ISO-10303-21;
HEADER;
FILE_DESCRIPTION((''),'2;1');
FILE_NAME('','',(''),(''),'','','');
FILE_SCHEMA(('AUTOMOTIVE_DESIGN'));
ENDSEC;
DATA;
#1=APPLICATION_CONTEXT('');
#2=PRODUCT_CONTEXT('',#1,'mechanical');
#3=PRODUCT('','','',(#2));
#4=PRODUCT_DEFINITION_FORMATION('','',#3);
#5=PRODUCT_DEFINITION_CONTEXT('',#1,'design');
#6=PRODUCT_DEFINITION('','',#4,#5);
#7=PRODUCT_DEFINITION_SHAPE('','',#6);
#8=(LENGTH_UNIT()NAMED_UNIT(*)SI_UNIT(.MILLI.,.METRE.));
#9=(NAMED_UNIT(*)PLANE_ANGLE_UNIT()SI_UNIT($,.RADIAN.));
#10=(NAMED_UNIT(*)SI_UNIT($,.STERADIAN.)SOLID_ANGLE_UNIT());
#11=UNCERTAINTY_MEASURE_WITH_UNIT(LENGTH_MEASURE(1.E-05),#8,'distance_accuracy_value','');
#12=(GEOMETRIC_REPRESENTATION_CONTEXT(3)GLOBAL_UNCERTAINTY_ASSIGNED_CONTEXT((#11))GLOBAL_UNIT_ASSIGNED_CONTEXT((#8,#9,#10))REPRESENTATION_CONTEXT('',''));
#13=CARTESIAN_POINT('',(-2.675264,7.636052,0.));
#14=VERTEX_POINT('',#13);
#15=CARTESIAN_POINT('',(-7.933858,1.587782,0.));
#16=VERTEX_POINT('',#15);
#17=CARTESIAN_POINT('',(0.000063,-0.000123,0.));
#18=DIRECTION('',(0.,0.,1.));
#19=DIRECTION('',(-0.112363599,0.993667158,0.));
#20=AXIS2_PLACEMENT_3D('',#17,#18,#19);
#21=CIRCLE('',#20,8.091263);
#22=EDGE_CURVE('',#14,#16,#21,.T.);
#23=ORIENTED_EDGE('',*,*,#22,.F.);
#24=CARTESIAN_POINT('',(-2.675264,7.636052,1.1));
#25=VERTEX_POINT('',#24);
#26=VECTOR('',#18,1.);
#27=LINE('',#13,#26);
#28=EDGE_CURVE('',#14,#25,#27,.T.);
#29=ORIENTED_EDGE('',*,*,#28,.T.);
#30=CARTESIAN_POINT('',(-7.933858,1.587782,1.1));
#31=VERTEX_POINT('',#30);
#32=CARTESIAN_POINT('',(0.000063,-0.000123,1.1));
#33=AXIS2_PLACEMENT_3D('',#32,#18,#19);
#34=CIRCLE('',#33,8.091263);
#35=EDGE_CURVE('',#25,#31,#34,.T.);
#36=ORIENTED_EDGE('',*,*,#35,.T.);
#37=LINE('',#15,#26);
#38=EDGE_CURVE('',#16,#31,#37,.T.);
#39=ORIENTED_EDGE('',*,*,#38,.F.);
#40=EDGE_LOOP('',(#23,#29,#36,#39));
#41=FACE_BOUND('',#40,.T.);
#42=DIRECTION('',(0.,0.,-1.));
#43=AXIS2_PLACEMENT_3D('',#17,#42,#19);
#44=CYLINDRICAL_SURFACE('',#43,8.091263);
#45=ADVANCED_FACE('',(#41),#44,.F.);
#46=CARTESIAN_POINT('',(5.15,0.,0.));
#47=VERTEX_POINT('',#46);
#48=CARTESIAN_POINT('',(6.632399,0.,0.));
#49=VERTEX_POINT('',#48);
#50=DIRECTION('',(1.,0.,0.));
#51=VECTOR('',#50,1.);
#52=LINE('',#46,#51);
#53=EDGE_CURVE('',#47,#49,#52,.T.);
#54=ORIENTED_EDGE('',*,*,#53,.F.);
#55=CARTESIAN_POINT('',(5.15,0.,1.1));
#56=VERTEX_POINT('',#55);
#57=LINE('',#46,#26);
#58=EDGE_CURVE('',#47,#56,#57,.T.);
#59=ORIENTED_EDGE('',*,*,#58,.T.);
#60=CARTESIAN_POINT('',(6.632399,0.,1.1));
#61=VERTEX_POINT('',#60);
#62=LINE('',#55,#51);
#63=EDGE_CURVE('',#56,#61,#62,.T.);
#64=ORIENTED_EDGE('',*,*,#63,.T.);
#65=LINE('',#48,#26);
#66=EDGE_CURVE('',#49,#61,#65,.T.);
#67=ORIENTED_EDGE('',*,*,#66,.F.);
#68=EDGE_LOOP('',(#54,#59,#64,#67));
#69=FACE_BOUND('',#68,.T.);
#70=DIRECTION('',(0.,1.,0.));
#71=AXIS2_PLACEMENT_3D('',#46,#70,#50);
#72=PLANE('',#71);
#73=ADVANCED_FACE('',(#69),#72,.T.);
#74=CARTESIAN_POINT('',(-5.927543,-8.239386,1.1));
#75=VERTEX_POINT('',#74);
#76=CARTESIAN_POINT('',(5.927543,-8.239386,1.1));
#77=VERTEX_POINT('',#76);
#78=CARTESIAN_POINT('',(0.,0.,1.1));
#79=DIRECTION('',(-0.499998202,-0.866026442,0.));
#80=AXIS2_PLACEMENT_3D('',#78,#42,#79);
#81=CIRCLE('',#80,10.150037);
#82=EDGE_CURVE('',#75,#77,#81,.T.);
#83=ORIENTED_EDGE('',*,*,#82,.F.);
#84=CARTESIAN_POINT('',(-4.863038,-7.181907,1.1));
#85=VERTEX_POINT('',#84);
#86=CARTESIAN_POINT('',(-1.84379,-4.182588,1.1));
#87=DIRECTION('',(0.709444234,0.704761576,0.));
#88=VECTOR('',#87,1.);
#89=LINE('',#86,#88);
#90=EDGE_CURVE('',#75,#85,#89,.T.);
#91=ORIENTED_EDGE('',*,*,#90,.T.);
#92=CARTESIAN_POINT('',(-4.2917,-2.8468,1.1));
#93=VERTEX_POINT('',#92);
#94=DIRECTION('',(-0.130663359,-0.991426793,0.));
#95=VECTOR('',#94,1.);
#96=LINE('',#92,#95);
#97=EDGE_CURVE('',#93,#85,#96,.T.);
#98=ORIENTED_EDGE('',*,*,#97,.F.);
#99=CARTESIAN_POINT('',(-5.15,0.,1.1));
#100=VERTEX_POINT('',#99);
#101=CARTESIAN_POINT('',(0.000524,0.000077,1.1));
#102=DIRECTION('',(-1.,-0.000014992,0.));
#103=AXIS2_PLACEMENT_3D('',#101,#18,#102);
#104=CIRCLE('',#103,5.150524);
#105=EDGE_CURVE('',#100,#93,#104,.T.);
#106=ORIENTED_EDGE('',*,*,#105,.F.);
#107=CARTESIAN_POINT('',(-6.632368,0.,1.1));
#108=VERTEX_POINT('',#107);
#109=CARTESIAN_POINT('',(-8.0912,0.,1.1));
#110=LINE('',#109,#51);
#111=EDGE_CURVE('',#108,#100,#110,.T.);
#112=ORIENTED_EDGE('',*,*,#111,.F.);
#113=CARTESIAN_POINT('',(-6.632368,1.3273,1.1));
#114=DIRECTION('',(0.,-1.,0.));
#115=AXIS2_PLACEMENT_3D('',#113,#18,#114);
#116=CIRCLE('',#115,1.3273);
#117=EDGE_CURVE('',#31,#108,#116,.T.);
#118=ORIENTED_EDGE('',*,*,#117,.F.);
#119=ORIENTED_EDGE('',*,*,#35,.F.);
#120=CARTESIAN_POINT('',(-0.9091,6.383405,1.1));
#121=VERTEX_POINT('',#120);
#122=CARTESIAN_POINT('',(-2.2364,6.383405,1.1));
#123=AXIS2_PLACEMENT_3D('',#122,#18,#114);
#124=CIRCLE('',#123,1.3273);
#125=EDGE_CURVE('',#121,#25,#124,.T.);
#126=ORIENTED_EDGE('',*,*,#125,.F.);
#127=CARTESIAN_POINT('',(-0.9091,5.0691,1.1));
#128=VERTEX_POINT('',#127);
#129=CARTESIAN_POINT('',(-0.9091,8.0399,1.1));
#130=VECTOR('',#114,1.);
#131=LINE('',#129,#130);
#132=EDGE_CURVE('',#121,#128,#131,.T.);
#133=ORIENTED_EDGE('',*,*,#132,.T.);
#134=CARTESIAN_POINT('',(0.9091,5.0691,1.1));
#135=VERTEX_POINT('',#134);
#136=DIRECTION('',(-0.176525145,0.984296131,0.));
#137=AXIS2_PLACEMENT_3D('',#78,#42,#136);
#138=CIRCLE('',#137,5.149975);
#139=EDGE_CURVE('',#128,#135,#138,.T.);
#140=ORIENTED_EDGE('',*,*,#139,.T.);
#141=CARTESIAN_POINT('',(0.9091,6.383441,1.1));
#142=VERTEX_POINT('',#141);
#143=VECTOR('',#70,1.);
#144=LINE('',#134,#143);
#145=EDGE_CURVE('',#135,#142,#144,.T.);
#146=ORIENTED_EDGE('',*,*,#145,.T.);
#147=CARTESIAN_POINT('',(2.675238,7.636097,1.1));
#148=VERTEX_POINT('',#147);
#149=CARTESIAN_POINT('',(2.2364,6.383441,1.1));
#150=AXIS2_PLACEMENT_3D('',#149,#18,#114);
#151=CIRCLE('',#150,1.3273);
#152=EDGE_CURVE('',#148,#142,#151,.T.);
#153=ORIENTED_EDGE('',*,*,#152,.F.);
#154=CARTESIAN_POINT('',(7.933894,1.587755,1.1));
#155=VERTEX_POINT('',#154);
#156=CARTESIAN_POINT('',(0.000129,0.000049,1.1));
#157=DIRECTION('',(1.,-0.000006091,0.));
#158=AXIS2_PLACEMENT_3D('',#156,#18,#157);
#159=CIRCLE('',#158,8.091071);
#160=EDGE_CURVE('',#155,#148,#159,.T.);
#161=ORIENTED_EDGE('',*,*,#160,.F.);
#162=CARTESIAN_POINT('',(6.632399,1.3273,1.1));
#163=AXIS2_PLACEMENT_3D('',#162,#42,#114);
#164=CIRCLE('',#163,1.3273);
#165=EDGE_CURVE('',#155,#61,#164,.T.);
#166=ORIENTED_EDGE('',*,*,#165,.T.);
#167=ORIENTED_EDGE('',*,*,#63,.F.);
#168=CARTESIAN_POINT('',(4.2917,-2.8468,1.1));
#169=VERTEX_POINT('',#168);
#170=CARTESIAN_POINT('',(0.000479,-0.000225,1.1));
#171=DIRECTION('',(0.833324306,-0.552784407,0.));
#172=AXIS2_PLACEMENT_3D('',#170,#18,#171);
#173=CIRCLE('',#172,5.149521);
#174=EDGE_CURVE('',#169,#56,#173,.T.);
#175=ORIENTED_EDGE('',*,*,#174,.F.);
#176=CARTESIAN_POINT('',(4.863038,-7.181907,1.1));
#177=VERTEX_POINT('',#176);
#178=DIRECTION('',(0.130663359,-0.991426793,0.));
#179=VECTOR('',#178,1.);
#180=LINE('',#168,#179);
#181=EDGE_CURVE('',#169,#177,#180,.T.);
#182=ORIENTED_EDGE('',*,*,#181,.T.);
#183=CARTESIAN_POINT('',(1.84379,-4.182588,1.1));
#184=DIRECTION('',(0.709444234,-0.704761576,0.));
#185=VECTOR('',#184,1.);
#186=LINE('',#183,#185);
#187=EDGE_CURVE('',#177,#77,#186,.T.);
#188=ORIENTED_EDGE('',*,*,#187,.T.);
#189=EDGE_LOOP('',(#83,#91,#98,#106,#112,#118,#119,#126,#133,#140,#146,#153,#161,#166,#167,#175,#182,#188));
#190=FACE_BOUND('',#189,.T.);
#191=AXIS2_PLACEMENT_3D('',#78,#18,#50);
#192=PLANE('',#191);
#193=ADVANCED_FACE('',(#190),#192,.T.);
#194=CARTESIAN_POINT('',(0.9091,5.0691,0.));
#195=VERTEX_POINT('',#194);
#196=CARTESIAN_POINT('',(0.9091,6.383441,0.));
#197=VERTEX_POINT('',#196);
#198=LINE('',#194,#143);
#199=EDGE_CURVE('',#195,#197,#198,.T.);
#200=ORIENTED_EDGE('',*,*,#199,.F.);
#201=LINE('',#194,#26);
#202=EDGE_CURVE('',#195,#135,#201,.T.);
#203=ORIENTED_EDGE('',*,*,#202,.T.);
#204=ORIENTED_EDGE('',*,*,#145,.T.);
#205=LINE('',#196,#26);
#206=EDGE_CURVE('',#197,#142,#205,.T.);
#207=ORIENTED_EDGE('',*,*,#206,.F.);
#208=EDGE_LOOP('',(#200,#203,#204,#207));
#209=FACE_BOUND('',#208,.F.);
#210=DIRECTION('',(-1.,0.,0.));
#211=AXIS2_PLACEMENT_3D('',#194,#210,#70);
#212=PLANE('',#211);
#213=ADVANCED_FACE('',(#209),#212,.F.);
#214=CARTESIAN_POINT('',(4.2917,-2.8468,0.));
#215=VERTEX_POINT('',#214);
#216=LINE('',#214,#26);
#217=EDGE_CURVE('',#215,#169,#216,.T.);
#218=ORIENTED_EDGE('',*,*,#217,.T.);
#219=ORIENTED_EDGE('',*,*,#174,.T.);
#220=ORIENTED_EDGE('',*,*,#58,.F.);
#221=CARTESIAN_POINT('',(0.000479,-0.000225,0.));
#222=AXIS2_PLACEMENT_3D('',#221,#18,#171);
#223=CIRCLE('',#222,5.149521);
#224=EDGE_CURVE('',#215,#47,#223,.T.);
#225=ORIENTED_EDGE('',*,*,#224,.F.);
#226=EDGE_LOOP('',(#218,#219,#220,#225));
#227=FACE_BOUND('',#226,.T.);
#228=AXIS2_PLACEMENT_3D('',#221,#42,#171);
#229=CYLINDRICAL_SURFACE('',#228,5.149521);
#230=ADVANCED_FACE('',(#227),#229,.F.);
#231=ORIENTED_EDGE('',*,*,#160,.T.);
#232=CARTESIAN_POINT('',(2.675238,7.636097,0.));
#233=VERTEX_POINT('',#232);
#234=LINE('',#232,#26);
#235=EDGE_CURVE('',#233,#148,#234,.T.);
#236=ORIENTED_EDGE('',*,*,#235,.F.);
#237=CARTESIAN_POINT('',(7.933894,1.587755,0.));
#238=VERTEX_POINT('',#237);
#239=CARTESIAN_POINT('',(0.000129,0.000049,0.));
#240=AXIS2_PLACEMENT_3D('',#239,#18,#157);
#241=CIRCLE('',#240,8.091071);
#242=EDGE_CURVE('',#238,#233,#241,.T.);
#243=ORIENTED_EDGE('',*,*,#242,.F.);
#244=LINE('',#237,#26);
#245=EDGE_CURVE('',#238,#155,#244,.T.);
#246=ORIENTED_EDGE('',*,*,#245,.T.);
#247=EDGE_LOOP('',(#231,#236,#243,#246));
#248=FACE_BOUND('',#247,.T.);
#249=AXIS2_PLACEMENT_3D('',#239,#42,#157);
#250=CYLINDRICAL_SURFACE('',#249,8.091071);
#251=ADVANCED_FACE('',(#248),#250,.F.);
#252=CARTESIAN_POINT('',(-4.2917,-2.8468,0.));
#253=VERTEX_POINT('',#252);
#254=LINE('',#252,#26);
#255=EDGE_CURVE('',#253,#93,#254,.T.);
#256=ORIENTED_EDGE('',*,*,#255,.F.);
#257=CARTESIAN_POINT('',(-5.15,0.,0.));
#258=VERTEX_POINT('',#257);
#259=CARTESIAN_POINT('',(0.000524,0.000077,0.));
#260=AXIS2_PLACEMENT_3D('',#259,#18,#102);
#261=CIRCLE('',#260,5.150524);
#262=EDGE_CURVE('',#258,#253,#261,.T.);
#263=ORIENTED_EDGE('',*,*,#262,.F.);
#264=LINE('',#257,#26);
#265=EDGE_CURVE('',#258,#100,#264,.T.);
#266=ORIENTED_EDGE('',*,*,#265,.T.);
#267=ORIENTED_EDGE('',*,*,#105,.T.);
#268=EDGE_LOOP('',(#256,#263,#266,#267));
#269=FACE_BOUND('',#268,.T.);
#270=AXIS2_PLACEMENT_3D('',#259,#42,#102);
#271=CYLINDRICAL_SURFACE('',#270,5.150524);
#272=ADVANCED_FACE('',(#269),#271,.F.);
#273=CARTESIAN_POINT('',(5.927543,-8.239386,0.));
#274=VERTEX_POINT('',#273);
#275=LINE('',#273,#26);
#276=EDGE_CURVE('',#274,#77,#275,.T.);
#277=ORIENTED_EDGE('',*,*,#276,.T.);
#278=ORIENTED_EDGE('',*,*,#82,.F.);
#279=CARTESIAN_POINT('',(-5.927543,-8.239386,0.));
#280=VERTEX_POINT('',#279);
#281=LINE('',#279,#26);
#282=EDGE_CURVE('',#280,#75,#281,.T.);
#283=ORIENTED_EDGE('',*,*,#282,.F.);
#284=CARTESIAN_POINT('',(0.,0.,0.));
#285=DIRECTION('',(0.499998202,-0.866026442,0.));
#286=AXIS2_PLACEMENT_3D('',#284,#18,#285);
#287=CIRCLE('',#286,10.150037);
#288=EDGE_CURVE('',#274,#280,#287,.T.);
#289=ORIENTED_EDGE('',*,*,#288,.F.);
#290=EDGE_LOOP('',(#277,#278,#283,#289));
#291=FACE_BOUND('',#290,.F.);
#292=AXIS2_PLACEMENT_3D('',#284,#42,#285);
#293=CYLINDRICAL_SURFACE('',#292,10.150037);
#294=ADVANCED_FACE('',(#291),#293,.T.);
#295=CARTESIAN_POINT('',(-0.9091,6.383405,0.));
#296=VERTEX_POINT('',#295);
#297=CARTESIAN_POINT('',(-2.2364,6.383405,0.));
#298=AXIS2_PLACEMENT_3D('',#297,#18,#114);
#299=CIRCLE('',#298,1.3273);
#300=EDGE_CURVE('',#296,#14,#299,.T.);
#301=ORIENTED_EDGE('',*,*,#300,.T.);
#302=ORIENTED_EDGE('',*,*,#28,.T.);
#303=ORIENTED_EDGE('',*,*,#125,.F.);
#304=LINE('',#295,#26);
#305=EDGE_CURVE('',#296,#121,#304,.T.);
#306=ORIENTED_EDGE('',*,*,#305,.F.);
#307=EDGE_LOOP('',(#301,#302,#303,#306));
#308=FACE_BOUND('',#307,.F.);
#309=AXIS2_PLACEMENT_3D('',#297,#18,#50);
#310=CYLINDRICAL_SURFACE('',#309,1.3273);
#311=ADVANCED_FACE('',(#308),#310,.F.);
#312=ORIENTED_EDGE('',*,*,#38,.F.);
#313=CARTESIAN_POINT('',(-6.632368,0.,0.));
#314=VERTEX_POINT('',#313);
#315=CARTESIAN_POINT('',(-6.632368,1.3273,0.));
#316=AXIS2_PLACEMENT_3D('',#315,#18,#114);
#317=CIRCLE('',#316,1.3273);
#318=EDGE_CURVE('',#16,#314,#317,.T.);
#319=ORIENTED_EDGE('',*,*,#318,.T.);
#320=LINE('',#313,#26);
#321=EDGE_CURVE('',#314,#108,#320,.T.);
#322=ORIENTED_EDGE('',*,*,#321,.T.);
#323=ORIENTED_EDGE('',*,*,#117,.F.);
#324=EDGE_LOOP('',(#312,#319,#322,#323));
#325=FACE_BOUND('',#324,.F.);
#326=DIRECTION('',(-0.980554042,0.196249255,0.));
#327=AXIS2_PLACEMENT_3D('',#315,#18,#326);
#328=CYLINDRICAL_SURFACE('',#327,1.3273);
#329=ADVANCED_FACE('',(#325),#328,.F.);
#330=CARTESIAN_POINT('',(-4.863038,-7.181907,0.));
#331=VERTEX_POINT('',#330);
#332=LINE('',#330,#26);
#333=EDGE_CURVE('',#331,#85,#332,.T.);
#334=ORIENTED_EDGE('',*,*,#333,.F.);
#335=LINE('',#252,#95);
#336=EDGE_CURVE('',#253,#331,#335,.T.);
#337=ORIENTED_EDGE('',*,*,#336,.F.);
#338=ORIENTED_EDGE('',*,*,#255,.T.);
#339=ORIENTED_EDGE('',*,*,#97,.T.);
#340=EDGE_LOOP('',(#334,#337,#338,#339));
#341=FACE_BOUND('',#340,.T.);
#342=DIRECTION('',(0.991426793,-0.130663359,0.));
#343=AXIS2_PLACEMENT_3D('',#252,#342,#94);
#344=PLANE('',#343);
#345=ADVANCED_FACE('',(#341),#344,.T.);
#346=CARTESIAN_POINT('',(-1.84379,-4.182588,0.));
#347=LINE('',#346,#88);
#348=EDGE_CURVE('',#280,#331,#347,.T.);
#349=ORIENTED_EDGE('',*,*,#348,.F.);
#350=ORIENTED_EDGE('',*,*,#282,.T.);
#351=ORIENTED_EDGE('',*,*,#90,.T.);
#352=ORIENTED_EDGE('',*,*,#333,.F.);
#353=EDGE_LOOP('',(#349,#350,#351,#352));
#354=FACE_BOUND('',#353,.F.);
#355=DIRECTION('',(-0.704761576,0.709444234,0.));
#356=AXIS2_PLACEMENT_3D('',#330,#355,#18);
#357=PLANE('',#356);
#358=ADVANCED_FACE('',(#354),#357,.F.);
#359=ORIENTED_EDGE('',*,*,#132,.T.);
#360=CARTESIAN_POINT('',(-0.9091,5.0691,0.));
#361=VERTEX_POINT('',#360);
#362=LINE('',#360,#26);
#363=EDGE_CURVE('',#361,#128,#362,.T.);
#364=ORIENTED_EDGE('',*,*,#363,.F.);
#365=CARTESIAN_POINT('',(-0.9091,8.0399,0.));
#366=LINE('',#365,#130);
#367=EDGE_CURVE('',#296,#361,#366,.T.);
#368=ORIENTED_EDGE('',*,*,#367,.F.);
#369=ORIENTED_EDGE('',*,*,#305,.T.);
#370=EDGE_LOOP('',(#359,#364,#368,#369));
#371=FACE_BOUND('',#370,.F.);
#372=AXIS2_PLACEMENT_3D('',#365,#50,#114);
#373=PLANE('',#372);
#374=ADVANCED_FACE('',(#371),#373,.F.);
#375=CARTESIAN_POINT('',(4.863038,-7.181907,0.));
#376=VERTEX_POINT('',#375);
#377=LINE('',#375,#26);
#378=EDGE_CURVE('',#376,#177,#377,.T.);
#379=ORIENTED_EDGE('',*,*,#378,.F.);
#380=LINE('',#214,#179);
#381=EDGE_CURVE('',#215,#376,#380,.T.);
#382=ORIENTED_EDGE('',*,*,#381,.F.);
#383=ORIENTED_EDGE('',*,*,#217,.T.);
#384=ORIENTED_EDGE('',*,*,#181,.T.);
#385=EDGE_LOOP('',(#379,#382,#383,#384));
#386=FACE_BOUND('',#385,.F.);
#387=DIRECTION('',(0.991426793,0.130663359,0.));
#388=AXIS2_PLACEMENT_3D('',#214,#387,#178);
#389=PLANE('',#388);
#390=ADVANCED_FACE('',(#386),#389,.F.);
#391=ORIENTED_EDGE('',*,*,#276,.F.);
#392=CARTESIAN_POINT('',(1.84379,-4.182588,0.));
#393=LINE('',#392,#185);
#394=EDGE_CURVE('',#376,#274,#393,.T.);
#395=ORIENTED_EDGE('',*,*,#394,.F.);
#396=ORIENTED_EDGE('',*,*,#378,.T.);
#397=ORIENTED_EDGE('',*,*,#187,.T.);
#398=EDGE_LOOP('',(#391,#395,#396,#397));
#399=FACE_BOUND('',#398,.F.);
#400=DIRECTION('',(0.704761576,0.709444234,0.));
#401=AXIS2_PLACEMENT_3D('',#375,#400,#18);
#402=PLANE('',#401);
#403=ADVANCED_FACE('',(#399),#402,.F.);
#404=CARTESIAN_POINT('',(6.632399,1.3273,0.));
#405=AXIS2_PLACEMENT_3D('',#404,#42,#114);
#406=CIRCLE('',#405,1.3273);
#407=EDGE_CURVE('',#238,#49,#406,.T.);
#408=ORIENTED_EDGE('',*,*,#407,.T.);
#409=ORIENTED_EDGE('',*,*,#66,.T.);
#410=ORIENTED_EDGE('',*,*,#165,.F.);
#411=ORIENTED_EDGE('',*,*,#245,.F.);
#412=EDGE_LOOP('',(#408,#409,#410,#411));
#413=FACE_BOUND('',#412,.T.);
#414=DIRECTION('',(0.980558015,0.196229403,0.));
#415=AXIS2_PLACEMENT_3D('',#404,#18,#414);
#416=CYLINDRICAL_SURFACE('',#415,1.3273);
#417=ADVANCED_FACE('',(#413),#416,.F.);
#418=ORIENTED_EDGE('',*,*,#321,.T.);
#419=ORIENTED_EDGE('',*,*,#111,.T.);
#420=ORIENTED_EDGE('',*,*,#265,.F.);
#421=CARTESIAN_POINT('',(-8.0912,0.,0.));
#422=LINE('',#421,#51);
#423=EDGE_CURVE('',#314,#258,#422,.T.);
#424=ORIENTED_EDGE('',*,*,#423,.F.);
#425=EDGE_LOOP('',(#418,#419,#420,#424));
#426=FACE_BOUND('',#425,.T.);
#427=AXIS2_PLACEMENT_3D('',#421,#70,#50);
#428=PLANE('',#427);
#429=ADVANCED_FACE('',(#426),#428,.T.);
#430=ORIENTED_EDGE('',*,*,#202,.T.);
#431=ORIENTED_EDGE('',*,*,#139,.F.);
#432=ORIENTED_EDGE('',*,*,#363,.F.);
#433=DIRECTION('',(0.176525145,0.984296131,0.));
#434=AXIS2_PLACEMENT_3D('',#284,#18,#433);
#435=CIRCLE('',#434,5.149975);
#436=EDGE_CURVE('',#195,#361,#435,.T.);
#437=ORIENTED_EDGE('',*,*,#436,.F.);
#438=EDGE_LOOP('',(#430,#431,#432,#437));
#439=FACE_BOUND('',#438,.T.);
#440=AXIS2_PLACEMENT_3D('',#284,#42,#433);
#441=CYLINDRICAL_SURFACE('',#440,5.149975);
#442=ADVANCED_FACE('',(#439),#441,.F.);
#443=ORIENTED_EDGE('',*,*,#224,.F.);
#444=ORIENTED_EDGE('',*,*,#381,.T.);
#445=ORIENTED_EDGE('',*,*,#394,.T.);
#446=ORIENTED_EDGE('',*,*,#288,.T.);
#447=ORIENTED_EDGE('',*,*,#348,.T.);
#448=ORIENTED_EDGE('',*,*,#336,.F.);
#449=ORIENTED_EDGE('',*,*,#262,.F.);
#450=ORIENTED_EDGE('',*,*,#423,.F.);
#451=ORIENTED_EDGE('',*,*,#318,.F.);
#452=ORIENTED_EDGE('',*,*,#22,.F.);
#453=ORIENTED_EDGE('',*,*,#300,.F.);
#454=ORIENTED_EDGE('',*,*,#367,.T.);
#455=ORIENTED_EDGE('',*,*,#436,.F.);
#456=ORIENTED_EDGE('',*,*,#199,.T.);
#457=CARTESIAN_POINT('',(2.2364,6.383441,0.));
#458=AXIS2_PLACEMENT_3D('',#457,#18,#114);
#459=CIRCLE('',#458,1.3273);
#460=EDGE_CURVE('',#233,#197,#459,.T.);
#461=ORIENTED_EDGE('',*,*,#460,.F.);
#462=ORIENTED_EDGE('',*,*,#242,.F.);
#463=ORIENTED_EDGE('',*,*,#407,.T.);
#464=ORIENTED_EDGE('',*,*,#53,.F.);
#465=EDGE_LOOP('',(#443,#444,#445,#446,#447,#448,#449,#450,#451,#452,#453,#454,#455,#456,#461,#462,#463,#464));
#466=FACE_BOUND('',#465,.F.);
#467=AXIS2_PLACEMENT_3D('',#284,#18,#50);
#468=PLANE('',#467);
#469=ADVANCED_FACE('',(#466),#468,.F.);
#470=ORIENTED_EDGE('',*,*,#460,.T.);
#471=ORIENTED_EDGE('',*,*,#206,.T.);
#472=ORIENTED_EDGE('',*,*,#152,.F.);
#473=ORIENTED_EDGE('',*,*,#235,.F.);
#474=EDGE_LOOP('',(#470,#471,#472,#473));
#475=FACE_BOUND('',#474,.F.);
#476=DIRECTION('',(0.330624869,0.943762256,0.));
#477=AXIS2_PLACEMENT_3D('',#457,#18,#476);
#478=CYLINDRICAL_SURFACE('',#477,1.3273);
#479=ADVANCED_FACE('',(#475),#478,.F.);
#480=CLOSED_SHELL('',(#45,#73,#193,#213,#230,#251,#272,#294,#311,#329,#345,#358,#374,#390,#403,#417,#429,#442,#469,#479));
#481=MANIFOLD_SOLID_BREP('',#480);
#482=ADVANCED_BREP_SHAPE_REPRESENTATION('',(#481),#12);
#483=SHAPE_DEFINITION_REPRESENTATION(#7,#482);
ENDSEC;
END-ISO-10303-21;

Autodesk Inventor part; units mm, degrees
ref_plane "YZ Plane" through (0, 0, 0) normal (1, 0, 0) x (0, 1, 0)
ref_plane "XZ Plane" through (0, 0, 0) normal (0, 1, 0) x (-1, 0, 0)
ref_plane "XY Plane" through (0, 0, 0) normal (0, 0, 1) x (1, 0, 0)
sketch "Náčrt1" plane through (0, 0, 0) normal (0, 0, 1) x (1, 0, 0)
  point P0 (0, 0)
sketch "Náčrt2" plane through (0, 0, 0) normal (0, 0, 1) x (1, 0, 0)
  line L0 (-8.0912, 0) -> (-5.15, 0)
  arc A0 (-0.9091, 8.0399) -> (-8.0912, 0) centre (0, 0) ccw
  line L1 (-0.9091, 8.0399) -> (-0.9091, 5.0691)
  arc A1 (0.9091, 5.0691) -> (-0.9091, 5.0691) centre (0, 0) ccw
  line L2 (0.9091, 5.0691) -> (0.9091, 8.0399)
  arc A2 (8.0912, 0) -> (0.9091, 8.0399) centre (0, 0) ccw
  line L3 (5.15, 0) -> (8.0912, 0)
  arc A3 (4.2917, -2.8468) -> (5.15, 0) centre (0, 0) ccw
  line L4 (4.2917, -2.8468) -> (5.075, -8.7902)
  arc A4 (5.075, -8.7902) -> (-5.075, -8.7902) centre (0, 0) ccw
  line L5 (-4.2917, -2.8468) -> (-5.075, -8.7902)
  arc A5 (-5.15, 0) -> (-4.2917, -2.8468) centre (0, 0) ccw
  line L6 (-16.1, 0) -> (16.1, 0) projected
  line L7 (0, -14.2512) -> (0, 15.7919) projected
  dimension "d1" = 0
  dimension "d3" = 5.15
  dimension "d5" = 10.15
  dimension "d7" = 0
  dimension "d9" = 8.0912
  dimension "d11" = 0.9091
  dimension "d13" = 0.9091
  dimension "d15" = 5.075
  dimension "d17" = 5.075
  dimension "d19" = 8.5833
extrude "Vysunutí1" add sketch "Náčrt2" along normal blind 1.1 contours L6 A4 L7 A1 L1 A0 | L0 A5 L5 A4 L6 | A4 L6 A2 L2 A1 L7 | L3 L6 A4 L4 A3
fillet "Zaoblení1" radius 1.3273 4 edges at (-8.0912, 0, 0.55) (-0.9091, 8.0399, 0.55) (0.9091, 8.0399, 0.55) (8.0912, 0, 0.55)
chamfer "Zkosení1" distance 1.015 distance2 1.6222 1 edges at (-5.075, -8.7902, 0.55) measured on face at (-4.4798, 9.1079, 0.7333)
chamfer "Zkosení2" distance 1.6222 distance2 1.015 1 edges at (5.075, -8.7902, 0.55) measured on face at (4.8139, -6.809, 0.3667)
equation "\"d3\" = 0.5 * Diam"
equation "\"d5\" = 0.5 * Diam3"
equation "\"d9\" = 0.294118 * Diam3 + 0.205882 * Diam"
equation "\"d11\" = 0.0909091 * Diam3 - 0.0909091 * Diam"
equation "\"d13\" = 0.0909091 * Diam3 - 0.0909091 * Diam"
equation "\"d15\" = 0.25 * Diam3"
equation "\"d17\" = 0.25 * Diam3"
equation "\"d19\" = 0.833333 * Diam"
equation "\"d20\" = ParT"
equation "\"d22\" = 0.181818 * Diam3 - 0.181818 * sd"
equation "\"d23\" = 0.05 * Diam3"
equation "\"d24\" = 0.222222 * Diam3 - 0.222222 * sd"
equation "\"d25\" = 0.222222 * Diam3 - 0.222222 * sd"
equation "\"d26\" = 0.05 * Diam3"
equation "\"Diam3\" = 20.3"
equation "\"ParT\" = 1.1"
equation "\"Diam\" = 10.3"
equation "\"sd\" = 13"
equation "\"TEMPLATE\" = 1.2345"
properties part number "ANSI B27.7M - 3CMI-13" material "Nerezová ocel"
